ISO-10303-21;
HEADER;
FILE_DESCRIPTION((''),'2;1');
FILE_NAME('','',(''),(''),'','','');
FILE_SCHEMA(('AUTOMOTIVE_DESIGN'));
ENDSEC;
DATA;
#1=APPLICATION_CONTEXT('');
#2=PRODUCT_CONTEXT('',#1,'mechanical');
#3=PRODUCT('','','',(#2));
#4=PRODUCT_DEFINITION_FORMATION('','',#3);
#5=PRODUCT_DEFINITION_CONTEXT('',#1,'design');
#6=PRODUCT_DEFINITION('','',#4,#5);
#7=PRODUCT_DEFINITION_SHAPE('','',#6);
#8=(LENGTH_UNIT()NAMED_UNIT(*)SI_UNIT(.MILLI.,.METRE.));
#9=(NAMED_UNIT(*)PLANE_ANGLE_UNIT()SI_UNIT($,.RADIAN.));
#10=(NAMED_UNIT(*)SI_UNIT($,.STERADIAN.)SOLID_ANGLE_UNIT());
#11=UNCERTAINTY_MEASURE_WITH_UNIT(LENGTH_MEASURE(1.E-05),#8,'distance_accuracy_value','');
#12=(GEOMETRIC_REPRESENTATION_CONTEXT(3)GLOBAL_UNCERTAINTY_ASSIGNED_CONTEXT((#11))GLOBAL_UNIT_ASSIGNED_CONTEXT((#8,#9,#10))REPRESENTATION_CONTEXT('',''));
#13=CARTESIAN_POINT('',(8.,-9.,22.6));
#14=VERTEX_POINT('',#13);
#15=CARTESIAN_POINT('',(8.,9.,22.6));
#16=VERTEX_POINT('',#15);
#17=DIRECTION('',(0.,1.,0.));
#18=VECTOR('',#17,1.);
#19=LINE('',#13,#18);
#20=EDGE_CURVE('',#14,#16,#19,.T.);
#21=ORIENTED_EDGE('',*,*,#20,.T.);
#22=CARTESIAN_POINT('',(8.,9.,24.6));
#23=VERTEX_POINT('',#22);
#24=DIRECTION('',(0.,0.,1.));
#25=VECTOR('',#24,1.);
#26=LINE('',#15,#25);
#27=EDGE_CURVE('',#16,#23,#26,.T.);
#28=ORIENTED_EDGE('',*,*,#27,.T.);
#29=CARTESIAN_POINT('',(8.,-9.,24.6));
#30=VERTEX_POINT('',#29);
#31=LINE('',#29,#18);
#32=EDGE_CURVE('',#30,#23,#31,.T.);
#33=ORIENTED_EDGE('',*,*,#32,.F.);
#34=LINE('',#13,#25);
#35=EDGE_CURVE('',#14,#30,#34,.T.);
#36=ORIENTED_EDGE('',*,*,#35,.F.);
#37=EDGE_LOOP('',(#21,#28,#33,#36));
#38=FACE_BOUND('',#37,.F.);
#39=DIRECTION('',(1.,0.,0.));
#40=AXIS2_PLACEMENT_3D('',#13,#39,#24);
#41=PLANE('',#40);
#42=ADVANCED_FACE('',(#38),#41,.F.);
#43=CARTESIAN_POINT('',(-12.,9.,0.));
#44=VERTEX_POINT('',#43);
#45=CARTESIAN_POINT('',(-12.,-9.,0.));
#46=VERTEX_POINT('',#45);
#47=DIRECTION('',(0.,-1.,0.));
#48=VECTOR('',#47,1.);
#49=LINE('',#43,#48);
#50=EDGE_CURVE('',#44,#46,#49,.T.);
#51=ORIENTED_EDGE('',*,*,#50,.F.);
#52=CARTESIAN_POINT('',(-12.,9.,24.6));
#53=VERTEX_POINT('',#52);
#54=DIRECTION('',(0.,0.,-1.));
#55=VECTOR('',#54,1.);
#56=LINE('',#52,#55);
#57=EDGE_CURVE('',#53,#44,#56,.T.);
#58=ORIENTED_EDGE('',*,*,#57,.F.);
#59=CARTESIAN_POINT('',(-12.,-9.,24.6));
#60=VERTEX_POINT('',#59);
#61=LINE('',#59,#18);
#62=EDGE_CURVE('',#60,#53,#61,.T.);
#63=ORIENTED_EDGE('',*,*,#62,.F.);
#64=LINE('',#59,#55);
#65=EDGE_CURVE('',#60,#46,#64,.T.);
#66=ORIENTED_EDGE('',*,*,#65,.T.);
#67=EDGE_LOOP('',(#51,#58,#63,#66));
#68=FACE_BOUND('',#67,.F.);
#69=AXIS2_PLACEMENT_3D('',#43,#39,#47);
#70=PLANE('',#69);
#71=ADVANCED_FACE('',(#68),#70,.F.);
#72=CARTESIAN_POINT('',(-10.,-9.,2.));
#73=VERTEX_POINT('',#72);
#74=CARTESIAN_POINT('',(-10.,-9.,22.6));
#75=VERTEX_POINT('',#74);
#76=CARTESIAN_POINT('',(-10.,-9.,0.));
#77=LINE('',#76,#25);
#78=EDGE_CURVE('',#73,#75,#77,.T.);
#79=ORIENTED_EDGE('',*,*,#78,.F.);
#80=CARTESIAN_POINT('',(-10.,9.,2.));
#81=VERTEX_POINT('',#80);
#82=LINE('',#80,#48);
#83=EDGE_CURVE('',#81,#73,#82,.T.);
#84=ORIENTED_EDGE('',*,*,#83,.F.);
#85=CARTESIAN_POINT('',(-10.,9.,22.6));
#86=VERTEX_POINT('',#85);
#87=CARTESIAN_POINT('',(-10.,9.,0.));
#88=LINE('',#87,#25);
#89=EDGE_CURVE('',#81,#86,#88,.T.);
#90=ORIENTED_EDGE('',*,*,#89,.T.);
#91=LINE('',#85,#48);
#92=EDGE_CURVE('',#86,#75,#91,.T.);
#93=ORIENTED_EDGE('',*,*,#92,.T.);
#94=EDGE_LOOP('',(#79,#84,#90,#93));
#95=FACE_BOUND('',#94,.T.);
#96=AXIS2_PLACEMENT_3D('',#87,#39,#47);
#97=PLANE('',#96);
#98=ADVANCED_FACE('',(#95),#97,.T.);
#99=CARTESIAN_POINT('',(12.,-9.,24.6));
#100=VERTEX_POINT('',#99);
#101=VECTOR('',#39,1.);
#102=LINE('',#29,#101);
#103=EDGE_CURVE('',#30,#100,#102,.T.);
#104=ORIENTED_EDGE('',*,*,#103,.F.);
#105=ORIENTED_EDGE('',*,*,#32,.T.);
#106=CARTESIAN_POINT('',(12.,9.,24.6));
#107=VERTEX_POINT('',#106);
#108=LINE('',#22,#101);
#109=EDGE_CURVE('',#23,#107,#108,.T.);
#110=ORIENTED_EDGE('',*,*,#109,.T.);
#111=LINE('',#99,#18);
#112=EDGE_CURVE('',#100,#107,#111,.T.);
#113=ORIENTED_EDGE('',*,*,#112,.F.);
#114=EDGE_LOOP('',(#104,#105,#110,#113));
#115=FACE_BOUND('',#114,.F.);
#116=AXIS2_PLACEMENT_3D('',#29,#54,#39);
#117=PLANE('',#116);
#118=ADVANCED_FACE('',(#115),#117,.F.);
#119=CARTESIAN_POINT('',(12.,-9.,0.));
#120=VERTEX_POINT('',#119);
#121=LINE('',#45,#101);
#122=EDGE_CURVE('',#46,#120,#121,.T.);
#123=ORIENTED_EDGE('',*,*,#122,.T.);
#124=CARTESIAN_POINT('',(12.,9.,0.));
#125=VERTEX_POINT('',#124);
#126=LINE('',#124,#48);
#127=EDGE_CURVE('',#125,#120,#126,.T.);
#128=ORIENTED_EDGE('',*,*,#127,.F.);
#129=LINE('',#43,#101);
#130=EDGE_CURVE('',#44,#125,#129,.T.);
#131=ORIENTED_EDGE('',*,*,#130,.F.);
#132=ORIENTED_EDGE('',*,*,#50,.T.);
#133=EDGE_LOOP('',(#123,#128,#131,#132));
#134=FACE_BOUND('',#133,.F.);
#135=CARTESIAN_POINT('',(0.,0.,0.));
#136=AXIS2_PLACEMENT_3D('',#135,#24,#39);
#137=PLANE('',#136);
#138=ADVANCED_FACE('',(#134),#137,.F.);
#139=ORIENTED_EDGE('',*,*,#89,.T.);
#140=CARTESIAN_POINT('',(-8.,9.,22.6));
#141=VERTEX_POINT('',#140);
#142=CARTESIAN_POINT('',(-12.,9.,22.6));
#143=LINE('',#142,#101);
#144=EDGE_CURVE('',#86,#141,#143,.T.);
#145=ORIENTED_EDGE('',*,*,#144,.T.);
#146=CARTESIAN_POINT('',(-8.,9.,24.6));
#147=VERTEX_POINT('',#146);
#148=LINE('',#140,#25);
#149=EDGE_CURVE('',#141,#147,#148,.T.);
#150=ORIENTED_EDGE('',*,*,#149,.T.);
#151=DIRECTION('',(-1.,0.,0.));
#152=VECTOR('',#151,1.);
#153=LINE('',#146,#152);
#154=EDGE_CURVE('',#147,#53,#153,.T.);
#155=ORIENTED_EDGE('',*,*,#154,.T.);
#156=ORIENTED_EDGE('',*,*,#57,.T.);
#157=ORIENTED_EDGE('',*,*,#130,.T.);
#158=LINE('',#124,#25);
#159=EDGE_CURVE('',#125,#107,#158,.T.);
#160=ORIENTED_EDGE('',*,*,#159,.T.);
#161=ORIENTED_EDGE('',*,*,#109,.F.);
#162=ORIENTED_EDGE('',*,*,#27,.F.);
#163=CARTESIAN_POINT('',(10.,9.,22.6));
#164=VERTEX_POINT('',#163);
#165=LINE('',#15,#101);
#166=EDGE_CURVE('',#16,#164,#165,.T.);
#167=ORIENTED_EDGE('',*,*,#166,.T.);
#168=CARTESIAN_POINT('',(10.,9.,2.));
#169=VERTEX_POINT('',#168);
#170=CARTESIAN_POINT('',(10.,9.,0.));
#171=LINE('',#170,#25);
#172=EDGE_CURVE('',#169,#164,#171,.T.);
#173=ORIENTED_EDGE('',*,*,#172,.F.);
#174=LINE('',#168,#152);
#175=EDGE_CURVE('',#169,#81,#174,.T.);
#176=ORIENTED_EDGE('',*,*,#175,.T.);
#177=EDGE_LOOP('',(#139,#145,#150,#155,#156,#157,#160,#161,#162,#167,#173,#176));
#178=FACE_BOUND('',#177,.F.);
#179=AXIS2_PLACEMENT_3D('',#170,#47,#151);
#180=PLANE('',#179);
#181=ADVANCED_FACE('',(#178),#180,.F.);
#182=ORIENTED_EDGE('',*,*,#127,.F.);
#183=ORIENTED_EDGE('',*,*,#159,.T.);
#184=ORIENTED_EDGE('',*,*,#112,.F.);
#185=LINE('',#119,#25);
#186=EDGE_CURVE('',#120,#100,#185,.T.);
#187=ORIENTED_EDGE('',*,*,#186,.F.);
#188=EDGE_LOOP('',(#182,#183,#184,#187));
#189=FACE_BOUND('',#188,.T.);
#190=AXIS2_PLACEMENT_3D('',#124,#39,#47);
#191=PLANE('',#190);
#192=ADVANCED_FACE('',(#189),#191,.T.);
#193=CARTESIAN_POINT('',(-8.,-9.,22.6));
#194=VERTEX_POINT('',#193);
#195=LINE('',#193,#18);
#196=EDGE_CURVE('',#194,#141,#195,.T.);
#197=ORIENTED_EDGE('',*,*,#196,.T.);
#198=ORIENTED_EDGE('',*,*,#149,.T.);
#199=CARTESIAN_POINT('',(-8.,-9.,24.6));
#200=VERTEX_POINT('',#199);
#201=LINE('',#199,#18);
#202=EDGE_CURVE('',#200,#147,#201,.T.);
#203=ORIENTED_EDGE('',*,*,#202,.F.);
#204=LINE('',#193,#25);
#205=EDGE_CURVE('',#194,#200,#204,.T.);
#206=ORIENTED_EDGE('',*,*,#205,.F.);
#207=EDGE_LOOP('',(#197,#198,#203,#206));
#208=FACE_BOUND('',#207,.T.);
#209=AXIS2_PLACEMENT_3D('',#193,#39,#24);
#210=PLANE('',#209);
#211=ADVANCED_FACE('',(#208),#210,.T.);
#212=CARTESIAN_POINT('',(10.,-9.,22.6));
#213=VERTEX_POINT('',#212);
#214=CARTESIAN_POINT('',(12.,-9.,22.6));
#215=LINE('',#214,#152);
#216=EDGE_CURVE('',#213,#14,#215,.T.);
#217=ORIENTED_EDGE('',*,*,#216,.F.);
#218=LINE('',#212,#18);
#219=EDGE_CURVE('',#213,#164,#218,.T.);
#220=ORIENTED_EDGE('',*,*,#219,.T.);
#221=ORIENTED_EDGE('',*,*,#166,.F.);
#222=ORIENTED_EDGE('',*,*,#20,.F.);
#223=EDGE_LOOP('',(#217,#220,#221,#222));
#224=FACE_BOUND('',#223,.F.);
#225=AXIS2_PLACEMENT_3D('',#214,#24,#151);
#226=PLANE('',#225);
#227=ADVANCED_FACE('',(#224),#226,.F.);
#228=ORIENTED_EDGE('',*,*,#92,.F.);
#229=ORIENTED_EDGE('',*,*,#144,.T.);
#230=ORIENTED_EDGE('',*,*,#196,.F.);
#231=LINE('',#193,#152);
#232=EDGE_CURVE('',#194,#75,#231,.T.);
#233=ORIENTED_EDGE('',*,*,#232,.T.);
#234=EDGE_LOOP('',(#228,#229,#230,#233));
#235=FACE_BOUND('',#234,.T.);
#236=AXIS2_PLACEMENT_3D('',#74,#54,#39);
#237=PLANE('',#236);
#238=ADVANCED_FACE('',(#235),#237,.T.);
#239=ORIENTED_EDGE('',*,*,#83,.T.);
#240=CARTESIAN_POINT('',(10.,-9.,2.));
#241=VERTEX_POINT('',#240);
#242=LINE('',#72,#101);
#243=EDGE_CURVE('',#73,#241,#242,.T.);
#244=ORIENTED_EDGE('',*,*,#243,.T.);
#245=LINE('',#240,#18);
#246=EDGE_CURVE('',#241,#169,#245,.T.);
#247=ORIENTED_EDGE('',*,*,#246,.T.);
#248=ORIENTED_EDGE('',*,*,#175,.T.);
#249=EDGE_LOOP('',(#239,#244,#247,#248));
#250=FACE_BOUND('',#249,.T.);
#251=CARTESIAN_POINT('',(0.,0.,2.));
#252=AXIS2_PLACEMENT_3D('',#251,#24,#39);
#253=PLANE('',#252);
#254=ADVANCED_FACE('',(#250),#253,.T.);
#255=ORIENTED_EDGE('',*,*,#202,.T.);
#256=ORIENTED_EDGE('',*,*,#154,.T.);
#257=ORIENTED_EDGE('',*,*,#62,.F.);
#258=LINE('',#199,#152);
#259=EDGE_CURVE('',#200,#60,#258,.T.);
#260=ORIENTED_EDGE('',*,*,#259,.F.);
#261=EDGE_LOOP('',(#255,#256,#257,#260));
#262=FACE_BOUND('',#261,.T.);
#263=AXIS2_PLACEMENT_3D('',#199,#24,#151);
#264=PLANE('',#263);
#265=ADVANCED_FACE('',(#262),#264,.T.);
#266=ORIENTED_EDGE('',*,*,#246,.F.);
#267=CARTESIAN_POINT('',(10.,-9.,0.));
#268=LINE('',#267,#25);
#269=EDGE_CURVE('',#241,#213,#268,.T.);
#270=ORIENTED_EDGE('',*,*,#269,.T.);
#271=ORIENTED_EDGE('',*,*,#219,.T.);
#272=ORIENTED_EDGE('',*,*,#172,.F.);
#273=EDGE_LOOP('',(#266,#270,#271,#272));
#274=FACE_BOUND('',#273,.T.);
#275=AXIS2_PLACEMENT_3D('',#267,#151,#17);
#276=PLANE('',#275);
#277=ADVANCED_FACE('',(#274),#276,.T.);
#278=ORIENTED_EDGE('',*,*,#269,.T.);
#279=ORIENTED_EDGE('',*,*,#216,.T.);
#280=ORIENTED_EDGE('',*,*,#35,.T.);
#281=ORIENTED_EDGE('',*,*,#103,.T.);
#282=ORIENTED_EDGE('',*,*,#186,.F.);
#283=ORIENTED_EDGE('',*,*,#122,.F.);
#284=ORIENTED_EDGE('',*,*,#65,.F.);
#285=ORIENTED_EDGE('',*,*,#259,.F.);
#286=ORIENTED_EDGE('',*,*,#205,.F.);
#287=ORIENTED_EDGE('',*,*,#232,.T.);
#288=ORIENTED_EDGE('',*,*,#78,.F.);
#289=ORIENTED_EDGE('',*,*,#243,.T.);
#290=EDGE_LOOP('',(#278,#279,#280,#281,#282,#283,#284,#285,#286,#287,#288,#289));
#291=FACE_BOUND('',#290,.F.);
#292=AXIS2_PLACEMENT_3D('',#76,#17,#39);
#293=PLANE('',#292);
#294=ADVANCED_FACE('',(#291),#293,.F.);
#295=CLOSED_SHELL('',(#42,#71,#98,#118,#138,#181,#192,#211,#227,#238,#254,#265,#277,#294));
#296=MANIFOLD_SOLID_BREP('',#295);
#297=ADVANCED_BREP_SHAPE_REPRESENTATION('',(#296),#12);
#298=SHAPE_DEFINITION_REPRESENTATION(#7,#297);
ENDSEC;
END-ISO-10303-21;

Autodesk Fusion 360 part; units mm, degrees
sketch "Sketch1" plane through (0, 0, 0) normal (0, 0, 1) x (1, 0, 0)
  line L0 (10, 9) -> (-10, 9)
  line L1 (-10, 9) -> (-10, -9)
  line L2 (-10, -9) -> (10, -9)
  line L3 (10, -9) -> (10, 9)
  line L4 (10, 9) -> (-10, -9) construction
  line L5 (-10, 9) -> (10, -9) construction
  line L6 (10, 9) -> (12, 9)
  line L7 (12, 9) -> (12, -9)
  line L8 (12, -9) -> (10, -9)
  line L9 (10, -9) -> (10, 9)
  line L10 (-10, 9) -> (-12, 9)
  line L11 (-12, 9) -> (-12, -9)
  line L12 (-12, -9) -> (-10, -9)
  line L13 (-10, -9) -> (-10, 9)
  dimension "d1" = 20
  dimension "d2" = 18
  dimension "d3" = 2
extrude "Extrude1" add sketch "Sketch1" along normal blind 2 contours L0 L1 L2 L3 L9 L13
extrude "Extrude2" add sketch "Sketch1" along normal blind 22.6 contours L3 L6 L7 L8 L9 | L1 L10 L11 L12 L13
sketch "Sketch2" plane through (0, -9, 0) normal (0, -1, 0) x (1, 0, 0)
  line L0 (-12, 0) -> (12, 0)
  line L1 (12, 0) -> (12, 22.6)
  line L2 (12, 22.6) -> (10, 22.6)
  line L3 (10, 22.6) -> (10, 2)
  line L4 (10, 2) -> (-10, 2)
  line L5 (-10, 2) -> (-10, 22.6)
  line L6 (-10, 22.6) -> (-12, 22.6)
  line L7 (-12, 22.6) -> (-12, 0)
  line L8 (-12, 22.6) -> (-8, 22.6)
  line L9 (-8, 22.6) -> (-8, 24.6)
  line L10 (-8, 24.6) -> (-12, 24.6)
  line L11 (-12, 24.6) -> (-12, 22.6)
  line L12 (12, 22.6) -> (8, 22.6)
  line L13 (8, 22.6) -> (8, 24.6)
  line L14 (8, 24.6) -> (12, 24.6)
  line L15 (12, 24.6) -> (12, 22.6)
  dimension "d8" = 4
  dimension "d9" = 2
  dimension "d10" = 4
  dimension "d11" = 2
extrude "Extrude3" add sketch "Sketch2" against normal blind 18 contours L6 L8 L9 L10 L11 | L2 L12 L13 L14 L15
